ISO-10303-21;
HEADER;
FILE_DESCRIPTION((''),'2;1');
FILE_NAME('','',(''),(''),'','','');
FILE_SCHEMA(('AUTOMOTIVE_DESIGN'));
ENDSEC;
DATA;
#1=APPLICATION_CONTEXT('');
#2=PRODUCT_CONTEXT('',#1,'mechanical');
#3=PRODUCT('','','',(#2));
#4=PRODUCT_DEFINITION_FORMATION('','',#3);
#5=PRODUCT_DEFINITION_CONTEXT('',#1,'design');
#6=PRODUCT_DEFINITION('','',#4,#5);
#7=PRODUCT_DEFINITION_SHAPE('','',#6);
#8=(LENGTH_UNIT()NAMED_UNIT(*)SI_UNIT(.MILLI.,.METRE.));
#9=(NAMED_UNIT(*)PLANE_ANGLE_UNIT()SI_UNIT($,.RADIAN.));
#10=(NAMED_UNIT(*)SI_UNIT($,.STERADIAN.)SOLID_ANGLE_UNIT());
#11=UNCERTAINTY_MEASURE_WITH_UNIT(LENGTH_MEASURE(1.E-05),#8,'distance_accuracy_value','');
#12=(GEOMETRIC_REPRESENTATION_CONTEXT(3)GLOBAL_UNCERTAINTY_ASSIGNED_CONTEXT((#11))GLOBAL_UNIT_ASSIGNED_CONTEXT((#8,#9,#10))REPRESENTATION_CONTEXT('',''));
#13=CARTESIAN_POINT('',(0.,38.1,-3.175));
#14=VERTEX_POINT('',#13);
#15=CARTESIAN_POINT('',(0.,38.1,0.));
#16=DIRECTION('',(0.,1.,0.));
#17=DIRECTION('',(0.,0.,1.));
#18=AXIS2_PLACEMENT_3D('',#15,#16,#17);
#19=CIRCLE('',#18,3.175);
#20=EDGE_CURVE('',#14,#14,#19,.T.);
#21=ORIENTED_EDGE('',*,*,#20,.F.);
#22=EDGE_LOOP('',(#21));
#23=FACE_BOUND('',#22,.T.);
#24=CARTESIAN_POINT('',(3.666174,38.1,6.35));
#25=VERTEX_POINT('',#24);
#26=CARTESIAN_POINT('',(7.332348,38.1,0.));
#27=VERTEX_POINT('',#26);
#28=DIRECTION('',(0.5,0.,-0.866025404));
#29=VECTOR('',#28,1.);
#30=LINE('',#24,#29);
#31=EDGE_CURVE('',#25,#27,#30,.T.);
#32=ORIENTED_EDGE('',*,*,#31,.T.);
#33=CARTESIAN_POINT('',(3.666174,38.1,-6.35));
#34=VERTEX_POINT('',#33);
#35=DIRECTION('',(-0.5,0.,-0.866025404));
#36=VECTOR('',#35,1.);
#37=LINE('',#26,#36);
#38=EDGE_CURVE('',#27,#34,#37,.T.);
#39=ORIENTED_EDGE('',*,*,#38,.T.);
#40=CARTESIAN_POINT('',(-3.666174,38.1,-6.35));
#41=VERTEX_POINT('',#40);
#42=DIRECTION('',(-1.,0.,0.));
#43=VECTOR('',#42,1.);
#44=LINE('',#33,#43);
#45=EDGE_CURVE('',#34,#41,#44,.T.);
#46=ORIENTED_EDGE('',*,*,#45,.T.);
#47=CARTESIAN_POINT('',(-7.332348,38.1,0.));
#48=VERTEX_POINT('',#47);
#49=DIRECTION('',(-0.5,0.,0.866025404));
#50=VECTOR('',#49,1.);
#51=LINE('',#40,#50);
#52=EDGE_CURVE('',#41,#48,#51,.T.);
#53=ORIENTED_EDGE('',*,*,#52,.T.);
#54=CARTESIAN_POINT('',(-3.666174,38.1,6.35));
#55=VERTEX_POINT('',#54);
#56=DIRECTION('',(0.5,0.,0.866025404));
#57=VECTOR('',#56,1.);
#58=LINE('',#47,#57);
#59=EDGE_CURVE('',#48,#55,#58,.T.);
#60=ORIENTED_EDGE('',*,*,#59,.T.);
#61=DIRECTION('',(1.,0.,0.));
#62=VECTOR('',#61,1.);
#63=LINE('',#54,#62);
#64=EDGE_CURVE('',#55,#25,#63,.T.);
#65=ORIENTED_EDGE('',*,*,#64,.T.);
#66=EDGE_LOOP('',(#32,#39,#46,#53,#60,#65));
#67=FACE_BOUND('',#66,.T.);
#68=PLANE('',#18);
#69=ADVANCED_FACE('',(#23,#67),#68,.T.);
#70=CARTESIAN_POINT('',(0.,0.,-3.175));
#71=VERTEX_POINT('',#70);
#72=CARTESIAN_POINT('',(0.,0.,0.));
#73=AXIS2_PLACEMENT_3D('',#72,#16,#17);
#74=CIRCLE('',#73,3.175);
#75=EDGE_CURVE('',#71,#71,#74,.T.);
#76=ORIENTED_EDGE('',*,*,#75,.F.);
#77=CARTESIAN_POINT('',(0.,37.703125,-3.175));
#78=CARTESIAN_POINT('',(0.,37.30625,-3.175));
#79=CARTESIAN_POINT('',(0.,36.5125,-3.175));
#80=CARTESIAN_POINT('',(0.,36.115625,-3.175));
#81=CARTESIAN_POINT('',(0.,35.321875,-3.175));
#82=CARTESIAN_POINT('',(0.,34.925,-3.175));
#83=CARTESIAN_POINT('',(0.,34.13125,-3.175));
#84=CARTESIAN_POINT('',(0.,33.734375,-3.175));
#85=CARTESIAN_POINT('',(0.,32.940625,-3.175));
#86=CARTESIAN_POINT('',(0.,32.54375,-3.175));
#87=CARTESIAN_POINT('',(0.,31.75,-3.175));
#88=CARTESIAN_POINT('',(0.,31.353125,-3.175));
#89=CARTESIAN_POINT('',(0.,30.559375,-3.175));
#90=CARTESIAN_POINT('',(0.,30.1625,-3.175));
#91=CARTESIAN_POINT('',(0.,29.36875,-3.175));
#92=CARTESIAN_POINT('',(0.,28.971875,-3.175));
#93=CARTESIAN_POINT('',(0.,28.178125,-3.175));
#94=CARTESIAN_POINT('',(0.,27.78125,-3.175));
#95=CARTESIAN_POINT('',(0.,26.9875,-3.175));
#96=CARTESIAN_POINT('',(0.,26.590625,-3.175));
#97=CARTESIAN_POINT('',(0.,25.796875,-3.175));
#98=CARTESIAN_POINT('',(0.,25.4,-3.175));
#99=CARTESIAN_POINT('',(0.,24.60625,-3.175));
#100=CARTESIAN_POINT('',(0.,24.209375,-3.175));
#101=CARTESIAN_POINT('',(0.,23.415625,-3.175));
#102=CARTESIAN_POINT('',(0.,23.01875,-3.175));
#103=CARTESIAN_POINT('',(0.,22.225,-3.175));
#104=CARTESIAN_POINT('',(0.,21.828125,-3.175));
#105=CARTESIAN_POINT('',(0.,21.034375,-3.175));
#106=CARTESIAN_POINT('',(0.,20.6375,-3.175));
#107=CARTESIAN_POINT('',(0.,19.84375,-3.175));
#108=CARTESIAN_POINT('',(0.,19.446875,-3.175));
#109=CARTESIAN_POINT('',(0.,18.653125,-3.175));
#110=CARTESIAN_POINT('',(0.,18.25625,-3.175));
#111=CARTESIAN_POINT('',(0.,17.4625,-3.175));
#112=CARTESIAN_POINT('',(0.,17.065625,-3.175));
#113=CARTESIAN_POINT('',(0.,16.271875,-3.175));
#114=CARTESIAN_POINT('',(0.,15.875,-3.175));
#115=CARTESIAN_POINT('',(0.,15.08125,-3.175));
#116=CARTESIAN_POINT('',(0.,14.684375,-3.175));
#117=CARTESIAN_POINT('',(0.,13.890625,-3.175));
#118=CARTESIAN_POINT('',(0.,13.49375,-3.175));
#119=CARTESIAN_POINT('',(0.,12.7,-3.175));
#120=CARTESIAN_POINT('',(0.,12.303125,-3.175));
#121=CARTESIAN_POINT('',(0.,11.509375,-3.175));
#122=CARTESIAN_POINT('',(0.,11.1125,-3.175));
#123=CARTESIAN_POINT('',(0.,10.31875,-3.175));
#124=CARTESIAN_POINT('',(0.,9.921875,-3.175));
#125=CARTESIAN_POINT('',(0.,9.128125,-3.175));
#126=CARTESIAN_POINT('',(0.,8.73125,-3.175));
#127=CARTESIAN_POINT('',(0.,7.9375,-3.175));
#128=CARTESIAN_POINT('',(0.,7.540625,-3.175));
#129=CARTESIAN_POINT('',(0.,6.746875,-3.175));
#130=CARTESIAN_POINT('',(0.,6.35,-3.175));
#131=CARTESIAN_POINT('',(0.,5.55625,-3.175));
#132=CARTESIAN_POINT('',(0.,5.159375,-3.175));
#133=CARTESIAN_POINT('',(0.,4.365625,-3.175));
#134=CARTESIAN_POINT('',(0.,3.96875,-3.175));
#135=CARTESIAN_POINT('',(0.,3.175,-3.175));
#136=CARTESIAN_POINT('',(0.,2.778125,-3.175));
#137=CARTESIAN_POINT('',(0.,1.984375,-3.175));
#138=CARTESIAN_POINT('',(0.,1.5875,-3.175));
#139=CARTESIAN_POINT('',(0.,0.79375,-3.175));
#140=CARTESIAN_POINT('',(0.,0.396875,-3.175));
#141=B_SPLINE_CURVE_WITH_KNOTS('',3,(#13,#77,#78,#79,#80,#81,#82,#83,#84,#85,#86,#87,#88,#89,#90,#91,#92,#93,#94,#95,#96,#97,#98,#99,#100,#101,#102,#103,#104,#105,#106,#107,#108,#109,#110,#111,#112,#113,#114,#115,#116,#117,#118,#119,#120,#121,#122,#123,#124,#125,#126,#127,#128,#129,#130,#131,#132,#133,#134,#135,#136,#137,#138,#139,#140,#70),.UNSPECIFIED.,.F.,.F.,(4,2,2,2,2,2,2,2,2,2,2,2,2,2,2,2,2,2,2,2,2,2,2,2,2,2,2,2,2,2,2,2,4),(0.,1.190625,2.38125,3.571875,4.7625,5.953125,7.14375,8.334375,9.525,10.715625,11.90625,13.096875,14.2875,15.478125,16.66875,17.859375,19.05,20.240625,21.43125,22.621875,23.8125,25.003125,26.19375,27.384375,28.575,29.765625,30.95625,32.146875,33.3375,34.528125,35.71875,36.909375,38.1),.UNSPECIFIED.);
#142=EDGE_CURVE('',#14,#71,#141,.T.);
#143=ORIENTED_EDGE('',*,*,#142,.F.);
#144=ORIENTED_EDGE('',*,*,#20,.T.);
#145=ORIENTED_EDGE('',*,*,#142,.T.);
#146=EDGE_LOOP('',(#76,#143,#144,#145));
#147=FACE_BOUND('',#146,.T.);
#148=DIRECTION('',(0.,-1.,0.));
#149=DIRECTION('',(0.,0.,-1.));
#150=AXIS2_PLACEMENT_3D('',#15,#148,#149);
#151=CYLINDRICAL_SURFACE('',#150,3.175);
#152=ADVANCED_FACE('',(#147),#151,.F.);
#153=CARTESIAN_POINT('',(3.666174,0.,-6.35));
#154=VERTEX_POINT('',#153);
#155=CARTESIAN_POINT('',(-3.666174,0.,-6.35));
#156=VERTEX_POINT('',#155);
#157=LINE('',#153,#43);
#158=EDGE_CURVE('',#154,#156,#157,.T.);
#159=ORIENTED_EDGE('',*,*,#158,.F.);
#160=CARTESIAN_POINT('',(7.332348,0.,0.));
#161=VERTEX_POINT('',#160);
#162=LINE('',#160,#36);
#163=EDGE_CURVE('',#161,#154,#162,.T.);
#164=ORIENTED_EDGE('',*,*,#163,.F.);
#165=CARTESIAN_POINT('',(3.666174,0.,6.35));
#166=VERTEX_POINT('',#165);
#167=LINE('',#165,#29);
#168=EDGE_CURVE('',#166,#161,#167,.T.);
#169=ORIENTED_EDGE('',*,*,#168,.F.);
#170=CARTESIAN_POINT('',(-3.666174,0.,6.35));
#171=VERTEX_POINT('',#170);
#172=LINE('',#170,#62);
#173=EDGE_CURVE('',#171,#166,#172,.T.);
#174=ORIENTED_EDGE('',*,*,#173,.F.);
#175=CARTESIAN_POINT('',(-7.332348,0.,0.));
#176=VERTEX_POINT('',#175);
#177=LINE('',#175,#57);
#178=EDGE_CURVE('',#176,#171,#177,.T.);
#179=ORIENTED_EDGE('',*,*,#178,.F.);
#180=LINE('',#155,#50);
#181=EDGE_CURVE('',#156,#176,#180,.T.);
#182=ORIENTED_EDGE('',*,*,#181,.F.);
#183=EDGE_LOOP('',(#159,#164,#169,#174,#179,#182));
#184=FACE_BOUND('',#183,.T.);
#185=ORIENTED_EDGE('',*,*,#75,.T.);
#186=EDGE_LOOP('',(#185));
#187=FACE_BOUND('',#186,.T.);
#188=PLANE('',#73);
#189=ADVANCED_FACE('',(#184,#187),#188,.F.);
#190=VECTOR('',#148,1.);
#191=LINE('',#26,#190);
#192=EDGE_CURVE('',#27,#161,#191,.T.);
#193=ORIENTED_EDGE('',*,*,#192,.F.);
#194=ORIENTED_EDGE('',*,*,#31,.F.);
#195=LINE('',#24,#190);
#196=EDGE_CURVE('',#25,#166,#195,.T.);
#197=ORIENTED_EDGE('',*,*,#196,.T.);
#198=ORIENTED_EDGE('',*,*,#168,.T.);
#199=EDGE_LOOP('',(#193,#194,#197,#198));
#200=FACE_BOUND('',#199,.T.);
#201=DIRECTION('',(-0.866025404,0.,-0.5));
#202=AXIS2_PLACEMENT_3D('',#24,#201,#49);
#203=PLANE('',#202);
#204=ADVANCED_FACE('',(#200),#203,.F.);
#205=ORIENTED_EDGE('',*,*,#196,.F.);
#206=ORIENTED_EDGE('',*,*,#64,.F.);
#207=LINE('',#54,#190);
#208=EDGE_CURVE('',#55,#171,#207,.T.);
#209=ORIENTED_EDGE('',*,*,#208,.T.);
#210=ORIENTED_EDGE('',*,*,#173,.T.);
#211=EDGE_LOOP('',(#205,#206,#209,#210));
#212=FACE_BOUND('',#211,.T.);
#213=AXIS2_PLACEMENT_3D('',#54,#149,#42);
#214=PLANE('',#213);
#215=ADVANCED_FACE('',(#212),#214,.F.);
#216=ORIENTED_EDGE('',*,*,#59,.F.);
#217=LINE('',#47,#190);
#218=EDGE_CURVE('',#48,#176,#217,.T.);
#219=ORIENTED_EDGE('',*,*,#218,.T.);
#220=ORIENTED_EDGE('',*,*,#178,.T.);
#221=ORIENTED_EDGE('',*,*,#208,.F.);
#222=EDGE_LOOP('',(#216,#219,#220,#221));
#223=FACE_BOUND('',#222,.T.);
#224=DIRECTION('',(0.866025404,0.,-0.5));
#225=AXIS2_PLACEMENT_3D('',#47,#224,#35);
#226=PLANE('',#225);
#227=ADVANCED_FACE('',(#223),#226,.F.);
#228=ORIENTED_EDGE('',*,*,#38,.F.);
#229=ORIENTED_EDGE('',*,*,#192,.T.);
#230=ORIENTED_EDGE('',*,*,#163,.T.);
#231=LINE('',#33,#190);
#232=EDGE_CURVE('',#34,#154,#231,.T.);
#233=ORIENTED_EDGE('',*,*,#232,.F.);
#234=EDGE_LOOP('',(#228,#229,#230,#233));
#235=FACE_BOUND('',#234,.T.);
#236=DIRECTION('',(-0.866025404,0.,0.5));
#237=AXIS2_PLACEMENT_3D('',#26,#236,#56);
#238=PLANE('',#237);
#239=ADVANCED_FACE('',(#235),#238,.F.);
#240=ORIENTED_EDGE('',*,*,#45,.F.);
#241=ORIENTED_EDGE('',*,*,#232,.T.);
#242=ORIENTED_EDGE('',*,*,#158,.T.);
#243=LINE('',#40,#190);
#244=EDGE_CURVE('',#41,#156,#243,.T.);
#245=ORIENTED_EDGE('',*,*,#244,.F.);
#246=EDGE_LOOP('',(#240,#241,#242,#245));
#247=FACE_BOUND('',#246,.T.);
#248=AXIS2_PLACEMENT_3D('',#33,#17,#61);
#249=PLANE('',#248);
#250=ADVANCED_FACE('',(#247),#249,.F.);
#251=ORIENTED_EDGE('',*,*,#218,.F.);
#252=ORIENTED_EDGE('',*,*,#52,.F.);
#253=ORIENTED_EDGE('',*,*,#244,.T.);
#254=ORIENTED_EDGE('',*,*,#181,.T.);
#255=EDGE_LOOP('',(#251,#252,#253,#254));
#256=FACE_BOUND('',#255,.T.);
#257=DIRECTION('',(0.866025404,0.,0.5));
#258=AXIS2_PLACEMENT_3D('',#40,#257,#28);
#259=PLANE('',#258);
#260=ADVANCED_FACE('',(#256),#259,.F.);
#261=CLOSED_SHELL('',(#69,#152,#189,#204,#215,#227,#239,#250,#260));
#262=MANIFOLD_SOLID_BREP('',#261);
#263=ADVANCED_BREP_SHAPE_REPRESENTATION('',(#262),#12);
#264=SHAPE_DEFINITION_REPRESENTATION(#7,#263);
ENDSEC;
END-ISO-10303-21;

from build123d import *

# Parameters (mm, degrees)
SKETCH1_R           = 3.175
BOSS_EXTRUDE1_DEPTH = 38.1


with BuildPart() as part:
    # Sketch1 → Boss-Extrude1 (new body)
    with BuildSketch(Plane(origin=(0, 0, 0), x_dir=(1, 0, 0), z_dir=(0, 1, 0))):
        Polygon((7.332348419, 0), (3.666174209, 6.35), (-3.666174209, 6.35), (-7.332348419, 0), (-3.666174209, -6.35), (3.666174209, -6.35), align=None)
        with Locations(Location((0, 0, 0), (0, 0, 90))):
            Circle(SKETCH1_R, mode=Mode.SUBTRACT)
    extrude(amount=BOSS_EXTRUDE1_DEPTH)


solid = part.part
